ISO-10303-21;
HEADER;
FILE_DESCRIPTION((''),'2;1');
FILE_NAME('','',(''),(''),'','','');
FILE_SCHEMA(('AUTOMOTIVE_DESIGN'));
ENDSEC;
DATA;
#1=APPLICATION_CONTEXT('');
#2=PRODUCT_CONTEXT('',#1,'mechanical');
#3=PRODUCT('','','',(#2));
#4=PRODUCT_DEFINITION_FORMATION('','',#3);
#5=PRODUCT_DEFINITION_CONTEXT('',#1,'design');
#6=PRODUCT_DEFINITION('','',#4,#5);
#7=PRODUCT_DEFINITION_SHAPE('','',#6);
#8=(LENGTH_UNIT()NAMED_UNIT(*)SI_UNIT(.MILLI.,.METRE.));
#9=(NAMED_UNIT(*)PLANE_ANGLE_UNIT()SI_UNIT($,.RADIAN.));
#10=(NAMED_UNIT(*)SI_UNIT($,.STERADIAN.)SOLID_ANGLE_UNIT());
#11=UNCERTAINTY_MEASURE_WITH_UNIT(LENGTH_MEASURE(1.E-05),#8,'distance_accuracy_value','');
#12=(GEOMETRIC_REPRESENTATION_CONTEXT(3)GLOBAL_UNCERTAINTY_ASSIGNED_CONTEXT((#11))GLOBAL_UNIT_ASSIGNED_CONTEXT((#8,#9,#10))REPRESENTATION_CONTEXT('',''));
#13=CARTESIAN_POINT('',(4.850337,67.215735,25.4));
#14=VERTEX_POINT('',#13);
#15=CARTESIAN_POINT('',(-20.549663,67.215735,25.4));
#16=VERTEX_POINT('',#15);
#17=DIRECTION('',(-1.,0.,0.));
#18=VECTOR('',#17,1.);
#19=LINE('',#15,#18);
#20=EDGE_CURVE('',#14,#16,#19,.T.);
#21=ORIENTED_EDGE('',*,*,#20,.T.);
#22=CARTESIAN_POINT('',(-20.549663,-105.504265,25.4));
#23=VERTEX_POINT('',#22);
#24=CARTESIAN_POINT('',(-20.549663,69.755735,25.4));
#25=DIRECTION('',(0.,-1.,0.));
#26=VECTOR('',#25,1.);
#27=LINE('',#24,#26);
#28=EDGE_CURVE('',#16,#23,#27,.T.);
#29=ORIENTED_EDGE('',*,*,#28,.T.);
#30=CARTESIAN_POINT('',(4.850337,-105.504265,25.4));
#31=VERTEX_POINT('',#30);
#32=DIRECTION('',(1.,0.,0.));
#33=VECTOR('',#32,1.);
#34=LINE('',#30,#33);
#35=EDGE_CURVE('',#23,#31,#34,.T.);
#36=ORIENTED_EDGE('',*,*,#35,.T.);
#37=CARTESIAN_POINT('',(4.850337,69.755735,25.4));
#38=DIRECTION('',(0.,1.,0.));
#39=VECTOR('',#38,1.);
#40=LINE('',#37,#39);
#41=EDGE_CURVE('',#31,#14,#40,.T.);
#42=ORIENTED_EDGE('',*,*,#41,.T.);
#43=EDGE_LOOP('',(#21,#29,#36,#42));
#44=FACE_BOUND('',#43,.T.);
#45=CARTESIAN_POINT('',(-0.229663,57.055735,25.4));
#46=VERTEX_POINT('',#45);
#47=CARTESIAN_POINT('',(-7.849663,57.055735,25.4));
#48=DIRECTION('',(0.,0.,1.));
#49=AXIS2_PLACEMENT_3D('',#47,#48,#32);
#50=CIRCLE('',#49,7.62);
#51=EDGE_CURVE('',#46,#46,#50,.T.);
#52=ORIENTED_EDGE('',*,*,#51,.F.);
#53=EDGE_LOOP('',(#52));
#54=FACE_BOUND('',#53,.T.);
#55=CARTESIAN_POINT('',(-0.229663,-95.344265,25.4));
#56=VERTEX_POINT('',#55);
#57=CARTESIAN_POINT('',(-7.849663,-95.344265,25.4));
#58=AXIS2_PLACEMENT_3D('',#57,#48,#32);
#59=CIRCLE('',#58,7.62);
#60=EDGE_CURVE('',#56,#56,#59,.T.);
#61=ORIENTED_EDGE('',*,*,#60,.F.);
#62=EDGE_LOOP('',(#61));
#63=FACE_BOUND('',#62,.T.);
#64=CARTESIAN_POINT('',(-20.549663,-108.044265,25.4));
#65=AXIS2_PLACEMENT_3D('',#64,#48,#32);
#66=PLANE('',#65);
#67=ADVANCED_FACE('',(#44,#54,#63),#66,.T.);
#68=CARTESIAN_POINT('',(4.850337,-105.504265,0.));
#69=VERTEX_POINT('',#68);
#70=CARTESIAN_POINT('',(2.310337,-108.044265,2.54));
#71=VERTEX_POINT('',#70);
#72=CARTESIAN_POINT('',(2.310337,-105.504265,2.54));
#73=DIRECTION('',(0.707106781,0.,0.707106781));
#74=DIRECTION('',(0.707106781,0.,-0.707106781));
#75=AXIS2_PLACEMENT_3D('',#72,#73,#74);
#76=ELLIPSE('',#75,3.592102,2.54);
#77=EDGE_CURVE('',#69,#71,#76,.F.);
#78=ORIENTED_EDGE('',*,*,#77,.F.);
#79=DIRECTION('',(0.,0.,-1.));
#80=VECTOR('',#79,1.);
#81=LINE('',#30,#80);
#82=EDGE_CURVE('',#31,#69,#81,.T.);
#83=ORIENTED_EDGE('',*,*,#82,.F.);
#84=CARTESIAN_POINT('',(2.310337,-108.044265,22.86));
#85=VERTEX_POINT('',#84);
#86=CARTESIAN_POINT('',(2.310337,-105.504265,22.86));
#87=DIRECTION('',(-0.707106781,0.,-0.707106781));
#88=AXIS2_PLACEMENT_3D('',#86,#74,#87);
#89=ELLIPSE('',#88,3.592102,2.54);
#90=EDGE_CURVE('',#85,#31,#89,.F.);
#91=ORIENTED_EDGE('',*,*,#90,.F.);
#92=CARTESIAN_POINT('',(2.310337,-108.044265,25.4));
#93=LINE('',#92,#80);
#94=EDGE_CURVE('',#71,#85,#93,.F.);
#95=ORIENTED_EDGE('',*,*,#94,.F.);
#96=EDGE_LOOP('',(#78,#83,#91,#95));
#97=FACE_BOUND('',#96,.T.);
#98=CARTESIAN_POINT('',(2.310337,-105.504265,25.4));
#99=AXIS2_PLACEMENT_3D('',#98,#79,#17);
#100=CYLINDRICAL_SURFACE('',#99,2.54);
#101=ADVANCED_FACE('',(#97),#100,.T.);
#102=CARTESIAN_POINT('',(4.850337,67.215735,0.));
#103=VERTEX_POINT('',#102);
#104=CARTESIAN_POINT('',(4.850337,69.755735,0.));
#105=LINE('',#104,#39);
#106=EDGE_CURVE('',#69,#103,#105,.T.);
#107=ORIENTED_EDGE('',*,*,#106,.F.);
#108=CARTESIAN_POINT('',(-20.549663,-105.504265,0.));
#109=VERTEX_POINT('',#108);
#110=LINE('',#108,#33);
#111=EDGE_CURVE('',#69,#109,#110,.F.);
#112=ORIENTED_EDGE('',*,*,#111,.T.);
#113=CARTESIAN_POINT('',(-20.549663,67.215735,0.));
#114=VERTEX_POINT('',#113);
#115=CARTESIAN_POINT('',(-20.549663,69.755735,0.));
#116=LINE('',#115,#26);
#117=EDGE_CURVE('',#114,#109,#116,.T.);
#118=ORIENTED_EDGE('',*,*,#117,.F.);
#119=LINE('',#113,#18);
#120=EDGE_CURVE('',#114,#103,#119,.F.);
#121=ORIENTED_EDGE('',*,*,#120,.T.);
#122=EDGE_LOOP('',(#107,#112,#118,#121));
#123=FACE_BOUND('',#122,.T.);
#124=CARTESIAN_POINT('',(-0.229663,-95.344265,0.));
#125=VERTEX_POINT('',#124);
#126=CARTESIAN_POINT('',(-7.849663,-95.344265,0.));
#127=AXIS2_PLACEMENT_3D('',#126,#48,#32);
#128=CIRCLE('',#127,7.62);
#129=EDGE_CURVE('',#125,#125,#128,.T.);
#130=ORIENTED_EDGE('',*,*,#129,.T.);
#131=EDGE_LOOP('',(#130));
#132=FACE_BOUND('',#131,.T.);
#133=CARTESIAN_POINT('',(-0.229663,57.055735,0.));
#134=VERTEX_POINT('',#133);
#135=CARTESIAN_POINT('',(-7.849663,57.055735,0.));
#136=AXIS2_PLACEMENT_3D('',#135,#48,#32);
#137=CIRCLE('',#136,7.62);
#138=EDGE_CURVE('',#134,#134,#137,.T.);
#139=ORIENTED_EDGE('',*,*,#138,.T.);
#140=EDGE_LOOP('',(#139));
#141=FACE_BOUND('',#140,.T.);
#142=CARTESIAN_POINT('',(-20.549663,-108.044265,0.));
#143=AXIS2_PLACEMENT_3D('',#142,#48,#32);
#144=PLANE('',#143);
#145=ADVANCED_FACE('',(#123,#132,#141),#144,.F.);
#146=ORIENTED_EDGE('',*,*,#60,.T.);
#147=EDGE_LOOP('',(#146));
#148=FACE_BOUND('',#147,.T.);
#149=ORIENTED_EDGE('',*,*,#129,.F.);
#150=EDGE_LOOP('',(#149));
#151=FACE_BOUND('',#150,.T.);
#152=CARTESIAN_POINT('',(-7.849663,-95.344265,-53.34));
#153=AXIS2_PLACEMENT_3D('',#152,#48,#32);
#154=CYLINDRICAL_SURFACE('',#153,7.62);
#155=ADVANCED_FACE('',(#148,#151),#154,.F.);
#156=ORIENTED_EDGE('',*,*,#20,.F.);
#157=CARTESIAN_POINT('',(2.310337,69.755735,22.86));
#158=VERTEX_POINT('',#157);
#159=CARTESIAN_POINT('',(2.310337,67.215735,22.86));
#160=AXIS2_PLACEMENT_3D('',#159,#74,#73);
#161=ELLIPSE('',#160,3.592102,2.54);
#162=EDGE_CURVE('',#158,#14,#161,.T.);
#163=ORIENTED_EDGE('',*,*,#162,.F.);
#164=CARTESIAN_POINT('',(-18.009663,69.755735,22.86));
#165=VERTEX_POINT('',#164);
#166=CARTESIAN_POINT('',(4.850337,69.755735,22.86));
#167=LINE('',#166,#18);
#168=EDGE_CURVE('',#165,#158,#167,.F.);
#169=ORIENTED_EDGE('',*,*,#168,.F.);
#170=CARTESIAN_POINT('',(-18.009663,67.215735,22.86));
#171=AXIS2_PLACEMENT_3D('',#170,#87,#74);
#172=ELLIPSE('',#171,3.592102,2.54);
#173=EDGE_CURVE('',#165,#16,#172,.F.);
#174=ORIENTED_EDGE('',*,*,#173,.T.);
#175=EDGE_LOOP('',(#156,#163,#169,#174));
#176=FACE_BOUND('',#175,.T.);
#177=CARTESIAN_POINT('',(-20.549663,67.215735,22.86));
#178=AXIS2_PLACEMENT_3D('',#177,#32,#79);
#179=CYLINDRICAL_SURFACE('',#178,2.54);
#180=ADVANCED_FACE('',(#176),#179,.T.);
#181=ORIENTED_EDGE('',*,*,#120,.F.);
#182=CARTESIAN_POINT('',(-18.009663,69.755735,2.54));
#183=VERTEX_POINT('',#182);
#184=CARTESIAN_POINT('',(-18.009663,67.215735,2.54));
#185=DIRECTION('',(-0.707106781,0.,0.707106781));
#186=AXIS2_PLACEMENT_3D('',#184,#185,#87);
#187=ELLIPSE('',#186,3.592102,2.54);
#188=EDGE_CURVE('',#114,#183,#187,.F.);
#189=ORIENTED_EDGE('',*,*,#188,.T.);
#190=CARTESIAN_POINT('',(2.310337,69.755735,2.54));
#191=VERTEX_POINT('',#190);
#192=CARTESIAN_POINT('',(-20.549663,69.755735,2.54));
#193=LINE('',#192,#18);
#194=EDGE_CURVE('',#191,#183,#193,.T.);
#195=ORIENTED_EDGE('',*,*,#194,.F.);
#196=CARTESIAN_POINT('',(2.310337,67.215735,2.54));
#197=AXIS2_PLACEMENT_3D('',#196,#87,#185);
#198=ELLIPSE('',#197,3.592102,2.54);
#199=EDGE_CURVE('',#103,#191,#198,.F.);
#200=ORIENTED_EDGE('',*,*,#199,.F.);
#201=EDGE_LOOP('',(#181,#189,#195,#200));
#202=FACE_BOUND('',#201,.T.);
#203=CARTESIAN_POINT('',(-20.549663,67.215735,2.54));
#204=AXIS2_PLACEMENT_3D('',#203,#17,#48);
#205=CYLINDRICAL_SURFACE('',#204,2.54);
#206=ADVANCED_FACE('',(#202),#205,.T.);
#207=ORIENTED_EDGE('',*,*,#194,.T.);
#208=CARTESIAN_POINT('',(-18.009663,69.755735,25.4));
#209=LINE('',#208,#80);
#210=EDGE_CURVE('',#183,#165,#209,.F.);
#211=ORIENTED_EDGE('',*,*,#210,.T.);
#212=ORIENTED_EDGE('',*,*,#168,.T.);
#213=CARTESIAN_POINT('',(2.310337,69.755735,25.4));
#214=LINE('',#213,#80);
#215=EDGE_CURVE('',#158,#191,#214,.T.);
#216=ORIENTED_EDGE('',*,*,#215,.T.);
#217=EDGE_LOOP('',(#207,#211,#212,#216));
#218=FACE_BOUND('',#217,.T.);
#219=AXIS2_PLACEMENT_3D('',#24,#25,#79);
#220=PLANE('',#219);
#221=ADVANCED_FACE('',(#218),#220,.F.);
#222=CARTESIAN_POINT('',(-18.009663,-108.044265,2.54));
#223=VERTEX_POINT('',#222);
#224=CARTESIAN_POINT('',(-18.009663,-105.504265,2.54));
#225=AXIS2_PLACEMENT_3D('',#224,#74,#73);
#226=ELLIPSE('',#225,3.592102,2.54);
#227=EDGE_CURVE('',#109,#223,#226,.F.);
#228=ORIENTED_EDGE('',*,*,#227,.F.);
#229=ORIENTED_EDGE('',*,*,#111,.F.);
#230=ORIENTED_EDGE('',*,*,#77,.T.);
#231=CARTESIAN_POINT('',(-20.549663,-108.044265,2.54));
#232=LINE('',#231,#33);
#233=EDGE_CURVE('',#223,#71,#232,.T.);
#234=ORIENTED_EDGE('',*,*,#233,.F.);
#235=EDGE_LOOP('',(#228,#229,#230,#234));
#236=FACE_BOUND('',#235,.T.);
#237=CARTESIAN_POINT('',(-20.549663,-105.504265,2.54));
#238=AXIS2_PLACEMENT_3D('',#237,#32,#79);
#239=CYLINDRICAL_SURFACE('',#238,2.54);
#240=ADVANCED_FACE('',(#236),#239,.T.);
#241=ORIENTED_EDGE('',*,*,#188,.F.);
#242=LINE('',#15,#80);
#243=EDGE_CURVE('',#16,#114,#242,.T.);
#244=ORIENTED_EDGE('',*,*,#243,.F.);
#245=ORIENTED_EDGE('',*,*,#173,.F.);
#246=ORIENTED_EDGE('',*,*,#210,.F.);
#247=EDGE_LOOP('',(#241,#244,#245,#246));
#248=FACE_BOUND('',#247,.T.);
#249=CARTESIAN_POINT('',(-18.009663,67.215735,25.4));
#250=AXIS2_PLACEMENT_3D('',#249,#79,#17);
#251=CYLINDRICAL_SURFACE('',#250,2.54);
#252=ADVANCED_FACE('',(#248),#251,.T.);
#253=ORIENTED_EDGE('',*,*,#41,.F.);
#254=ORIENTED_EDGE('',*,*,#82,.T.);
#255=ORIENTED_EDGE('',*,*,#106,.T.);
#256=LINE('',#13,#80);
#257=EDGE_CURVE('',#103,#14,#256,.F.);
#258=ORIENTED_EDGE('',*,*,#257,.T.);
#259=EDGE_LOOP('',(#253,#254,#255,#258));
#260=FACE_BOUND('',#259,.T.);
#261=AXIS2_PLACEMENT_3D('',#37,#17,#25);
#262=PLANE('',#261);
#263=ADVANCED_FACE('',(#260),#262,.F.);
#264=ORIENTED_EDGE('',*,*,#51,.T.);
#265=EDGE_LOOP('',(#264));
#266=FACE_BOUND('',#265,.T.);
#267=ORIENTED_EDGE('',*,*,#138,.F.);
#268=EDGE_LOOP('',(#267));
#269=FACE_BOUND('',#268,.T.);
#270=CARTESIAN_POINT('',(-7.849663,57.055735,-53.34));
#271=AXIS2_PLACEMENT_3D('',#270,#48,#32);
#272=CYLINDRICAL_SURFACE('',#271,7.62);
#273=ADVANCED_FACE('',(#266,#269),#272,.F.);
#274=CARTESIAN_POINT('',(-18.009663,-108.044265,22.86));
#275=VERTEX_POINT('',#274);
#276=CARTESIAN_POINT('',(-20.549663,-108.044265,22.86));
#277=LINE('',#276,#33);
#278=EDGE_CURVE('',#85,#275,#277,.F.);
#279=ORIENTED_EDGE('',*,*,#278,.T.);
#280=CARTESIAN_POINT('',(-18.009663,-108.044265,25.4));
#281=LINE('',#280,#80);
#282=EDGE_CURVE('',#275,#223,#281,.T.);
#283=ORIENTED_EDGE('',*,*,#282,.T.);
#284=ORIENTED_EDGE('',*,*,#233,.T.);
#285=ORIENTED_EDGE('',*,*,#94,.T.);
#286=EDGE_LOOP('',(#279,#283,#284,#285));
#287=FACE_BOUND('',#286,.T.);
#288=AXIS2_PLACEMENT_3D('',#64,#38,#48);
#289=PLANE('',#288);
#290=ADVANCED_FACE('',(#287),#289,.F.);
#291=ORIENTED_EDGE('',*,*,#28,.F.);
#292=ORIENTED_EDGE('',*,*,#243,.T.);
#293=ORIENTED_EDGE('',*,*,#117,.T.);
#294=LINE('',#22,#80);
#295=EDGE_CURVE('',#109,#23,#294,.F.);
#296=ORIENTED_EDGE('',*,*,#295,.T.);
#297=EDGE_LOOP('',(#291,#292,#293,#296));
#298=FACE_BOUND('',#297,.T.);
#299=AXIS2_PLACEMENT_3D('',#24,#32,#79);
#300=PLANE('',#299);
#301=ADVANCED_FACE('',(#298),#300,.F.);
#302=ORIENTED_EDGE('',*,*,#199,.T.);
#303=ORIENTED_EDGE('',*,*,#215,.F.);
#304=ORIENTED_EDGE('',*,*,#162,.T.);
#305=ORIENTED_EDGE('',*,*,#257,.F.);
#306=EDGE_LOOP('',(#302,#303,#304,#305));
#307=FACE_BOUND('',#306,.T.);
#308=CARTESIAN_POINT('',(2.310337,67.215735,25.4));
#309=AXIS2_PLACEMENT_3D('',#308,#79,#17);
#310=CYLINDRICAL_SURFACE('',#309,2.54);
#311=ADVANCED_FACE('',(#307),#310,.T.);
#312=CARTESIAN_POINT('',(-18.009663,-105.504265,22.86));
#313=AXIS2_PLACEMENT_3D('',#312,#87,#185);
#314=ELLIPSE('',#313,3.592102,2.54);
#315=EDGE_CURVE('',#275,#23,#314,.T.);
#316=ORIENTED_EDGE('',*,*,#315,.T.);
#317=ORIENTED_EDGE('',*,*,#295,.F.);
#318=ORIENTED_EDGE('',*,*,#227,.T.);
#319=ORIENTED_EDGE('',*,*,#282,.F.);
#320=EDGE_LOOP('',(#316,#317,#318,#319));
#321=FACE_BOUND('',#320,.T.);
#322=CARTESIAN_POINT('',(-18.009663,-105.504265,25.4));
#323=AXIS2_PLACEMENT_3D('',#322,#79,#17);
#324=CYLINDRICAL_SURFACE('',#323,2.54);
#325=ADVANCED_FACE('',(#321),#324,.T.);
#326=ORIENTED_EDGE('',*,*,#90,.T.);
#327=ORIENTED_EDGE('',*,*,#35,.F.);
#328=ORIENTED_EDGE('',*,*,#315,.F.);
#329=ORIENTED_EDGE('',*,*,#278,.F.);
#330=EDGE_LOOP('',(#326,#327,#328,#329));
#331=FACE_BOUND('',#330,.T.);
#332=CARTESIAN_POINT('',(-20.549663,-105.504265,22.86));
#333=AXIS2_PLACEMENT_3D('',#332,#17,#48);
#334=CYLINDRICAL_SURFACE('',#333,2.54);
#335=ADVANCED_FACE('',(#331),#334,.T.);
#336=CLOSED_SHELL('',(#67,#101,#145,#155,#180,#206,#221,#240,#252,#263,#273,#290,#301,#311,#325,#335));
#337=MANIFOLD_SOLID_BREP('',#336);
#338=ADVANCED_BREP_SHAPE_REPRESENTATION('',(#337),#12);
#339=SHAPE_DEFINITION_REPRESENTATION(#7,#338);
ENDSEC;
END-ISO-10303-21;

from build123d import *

# Parameters (mm, degrees)
SKETCH1_W          = 25.4
SKETCH1_H          = 177.8
BASE_EXTRUDE_DEPTH = 25.4
SKETCH2_R          = 7.62
CUT_EXTRUDE1_DEPTH = 78.74
FILLET1_R          = 2.54


with BuildPart() as part:
    # Sketch1 → Base-Extrude (new body)
    with BuildSketch(Plane.XY):
        with Locations((-7.849662618, -19.144264507)):
            Rectangle(SKETCH1_W, SKETCH1_H)
    extrude(amount=BASE_EXTRUDE_DEPTH)

    # Sketch2 → Cut-Extrude1 (cut)
    with BuildSketch(Plane.XY.offset(25.4)):
        with Locations((-7.849662618, -95.344264507)):
            Circle(SKETCH2_R)
        with Locations((-7.849662618, 57.055735493)):
            Circle(SKETCH2_R)
    extrude(amount=-CUT_EXTRUDE1_DEPTH, mode=Mode.SUBTRACT)

    # Fillet1
    fillet1_edges = [part.edges().sort_by_distance(p)[0] for p in [
        (-20.549662618, 69.755735493, 12.7),
        (4.850337382, 69.755735493, 12.7),
        (-7.849662618, 69.755735493, 0),
        (-7.849662618, 69.755735493, 25.4),
        (-20.549662618, -108.044264507, 12.7),
        (4.850337382, -108.044264507, 12.7),
        (-7.849662618, -108.044264507, 0),
        (-7.849662618, -108.044264507, 25.4),
    ]]
    fillet(fillet1_edges, radius=FILLET1_R)


solid = part.part
